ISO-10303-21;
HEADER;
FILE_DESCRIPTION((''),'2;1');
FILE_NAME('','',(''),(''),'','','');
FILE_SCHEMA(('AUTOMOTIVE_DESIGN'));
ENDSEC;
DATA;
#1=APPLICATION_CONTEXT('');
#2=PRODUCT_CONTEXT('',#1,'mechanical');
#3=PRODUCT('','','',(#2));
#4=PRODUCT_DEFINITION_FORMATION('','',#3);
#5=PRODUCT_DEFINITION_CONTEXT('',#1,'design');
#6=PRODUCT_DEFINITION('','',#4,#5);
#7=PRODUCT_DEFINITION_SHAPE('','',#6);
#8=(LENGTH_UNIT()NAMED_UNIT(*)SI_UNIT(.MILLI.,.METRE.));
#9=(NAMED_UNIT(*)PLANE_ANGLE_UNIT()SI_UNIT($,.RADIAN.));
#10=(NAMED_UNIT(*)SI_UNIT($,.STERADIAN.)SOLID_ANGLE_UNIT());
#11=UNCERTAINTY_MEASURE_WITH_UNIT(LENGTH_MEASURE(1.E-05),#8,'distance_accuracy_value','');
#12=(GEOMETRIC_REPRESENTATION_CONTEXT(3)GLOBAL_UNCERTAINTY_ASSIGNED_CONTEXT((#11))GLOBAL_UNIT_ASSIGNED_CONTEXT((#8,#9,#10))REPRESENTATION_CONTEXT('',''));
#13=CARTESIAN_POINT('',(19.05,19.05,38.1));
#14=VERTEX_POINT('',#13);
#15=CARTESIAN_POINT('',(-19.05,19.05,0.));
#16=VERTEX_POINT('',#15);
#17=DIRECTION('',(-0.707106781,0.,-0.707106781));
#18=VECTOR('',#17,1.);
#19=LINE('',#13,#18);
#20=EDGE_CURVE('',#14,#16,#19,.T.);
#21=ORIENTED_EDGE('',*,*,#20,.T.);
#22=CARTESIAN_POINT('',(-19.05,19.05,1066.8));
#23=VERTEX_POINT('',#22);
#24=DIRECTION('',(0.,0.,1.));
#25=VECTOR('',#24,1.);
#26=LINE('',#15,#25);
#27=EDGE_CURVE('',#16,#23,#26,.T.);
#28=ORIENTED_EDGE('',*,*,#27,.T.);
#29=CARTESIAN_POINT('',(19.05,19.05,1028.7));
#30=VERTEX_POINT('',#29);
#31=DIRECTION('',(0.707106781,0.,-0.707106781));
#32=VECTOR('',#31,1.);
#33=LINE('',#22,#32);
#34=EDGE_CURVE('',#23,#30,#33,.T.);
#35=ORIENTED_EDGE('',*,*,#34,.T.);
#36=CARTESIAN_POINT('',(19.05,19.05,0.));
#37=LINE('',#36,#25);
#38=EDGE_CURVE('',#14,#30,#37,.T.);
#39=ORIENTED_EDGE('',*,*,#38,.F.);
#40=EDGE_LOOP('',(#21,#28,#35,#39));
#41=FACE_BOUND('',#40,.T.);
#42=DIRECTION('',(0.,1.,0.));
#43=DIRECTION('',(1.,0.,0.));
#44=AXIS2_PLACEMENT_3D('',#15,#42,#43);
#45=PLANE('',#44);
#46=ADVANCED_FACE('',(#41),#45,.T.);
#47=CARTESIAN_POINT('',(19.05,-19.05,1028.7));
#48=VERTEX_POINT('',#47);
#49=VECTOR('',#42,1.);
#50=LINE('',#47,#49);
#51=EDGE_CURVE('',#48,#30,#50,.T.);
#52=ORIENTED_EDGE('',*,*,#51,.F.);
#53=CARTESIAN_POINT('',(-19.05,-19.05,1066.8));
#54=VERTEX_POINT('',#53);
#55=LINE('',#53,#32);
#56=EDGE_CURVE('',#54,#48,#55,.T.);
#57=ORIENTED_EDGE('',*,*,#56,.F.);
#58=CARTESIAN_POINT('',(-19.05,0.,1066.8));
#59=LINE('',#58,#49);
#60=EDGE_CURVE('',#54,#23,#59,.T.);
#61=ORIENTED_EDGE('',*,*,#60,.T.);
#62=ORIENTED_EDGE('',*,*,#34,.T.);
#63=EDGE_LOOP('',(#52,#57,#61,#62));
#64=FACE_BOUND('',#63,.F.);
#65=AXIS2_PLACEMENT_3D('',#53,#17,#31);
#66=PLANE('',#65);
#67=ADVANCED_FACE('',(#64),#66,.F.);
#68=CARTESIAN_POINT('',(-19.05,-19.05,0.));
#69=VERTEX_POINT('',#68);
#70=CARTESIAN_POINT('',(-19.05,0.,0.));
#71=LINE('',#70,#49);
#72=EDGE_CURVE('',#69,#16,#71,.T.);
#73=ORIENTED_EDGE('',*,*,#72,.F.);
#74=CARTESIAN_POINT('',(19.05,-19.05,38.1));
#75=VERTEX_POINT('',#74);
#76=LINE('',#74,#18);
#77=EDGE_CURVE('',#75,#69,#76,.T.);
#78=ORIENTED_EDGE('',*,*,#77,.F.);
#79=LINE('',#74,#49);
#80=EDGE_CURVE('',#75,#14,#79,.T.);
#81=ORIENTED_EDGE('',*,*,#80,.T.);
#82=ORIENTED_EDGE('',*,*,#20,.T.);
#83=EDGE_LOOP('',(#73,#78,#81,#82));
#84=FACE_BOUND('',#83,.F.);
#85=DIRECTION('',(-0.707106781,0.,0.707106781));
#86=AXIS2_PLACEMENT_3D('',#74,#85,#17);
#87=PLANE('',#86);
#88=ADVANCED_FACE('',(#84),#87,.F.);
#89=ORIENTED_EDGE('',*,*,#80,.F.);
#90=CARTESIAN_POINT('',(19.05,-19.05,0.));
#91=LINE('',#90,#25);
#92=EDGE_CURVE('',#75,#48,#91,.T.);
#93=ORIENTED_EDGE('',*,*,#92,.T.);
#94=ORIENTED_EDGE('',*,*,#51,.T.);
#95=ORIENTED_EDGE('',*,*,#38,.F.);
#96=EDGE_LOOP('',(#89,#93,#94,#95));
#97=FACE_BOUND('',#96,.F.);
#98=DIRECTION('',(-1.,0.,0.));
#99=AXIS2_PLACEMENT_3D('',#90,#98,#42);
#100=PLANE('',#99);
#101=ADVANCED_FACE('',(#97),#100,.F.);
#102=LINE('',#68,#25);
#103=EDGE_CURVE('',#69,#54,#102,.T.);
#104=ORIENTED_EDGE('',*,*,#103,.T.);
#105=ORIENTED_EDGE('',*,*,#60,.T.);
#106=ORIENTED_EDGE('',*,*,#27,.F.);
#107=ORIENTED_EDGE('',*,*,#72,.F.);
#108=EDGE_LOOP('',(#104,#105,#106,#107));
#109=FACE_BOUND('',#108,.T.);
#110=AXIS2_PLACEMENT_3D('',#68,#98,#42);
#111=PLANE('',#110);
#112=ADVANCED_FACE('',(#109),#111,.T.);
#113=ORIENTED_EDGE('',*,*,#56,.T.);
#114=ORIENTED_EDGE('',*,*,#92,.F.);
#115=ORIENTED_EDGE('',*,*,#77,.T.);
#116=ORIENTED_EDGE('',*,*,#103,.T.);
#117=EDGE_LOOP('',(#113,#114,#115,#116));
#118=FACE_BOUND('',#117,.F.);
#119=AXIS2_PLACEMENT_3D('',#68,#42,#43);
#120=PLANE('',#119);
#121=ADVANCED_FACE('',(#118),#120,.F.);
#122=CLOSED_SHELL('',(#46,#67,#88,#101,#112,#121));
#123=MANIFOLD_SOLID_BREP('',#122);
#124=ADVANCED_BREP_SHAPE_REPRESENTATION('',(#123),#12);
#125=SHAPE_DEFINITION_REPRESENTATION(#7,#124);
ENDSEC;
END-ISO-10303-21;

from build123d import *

# Parameters (mm, degrees)
F0_W     = 38.1
F0_H     = 38.1
F1_DEPTH = 1066.8
F3_DEPTH = 38.1
F4_DEPTH = 38.1


with BuildPart() as f1:
    # F0 (on Top) → F1 (new body)
    with BuildSketch(Plane.XY):
        Rectangle(F0_W, F0_H)
    extrude(amount=F1_DEPTH)

    # F2 (on face) → F3 (cut)
    with BuildSketch(Plane.XZ.offset(19.05)):
        Polygon((19.05, 1066.8), (-19.05, 1066.8), (19.05, 1028.7), align=None)
    extrude(amount=-F3_DEPTH, mode=Mode.SUBTRACT)

    # F2 (on face) → F4 (cut)
    with BuildSketch(Plane.XZ.offset(19.05)):
        Polygon((19.05, 38.1), (-19.05, 0), (19.05, 0), align=None)
    extrude(amount=-F4_DEPTH, mode=Mode.SUBTRACT)


solid = f1.part
